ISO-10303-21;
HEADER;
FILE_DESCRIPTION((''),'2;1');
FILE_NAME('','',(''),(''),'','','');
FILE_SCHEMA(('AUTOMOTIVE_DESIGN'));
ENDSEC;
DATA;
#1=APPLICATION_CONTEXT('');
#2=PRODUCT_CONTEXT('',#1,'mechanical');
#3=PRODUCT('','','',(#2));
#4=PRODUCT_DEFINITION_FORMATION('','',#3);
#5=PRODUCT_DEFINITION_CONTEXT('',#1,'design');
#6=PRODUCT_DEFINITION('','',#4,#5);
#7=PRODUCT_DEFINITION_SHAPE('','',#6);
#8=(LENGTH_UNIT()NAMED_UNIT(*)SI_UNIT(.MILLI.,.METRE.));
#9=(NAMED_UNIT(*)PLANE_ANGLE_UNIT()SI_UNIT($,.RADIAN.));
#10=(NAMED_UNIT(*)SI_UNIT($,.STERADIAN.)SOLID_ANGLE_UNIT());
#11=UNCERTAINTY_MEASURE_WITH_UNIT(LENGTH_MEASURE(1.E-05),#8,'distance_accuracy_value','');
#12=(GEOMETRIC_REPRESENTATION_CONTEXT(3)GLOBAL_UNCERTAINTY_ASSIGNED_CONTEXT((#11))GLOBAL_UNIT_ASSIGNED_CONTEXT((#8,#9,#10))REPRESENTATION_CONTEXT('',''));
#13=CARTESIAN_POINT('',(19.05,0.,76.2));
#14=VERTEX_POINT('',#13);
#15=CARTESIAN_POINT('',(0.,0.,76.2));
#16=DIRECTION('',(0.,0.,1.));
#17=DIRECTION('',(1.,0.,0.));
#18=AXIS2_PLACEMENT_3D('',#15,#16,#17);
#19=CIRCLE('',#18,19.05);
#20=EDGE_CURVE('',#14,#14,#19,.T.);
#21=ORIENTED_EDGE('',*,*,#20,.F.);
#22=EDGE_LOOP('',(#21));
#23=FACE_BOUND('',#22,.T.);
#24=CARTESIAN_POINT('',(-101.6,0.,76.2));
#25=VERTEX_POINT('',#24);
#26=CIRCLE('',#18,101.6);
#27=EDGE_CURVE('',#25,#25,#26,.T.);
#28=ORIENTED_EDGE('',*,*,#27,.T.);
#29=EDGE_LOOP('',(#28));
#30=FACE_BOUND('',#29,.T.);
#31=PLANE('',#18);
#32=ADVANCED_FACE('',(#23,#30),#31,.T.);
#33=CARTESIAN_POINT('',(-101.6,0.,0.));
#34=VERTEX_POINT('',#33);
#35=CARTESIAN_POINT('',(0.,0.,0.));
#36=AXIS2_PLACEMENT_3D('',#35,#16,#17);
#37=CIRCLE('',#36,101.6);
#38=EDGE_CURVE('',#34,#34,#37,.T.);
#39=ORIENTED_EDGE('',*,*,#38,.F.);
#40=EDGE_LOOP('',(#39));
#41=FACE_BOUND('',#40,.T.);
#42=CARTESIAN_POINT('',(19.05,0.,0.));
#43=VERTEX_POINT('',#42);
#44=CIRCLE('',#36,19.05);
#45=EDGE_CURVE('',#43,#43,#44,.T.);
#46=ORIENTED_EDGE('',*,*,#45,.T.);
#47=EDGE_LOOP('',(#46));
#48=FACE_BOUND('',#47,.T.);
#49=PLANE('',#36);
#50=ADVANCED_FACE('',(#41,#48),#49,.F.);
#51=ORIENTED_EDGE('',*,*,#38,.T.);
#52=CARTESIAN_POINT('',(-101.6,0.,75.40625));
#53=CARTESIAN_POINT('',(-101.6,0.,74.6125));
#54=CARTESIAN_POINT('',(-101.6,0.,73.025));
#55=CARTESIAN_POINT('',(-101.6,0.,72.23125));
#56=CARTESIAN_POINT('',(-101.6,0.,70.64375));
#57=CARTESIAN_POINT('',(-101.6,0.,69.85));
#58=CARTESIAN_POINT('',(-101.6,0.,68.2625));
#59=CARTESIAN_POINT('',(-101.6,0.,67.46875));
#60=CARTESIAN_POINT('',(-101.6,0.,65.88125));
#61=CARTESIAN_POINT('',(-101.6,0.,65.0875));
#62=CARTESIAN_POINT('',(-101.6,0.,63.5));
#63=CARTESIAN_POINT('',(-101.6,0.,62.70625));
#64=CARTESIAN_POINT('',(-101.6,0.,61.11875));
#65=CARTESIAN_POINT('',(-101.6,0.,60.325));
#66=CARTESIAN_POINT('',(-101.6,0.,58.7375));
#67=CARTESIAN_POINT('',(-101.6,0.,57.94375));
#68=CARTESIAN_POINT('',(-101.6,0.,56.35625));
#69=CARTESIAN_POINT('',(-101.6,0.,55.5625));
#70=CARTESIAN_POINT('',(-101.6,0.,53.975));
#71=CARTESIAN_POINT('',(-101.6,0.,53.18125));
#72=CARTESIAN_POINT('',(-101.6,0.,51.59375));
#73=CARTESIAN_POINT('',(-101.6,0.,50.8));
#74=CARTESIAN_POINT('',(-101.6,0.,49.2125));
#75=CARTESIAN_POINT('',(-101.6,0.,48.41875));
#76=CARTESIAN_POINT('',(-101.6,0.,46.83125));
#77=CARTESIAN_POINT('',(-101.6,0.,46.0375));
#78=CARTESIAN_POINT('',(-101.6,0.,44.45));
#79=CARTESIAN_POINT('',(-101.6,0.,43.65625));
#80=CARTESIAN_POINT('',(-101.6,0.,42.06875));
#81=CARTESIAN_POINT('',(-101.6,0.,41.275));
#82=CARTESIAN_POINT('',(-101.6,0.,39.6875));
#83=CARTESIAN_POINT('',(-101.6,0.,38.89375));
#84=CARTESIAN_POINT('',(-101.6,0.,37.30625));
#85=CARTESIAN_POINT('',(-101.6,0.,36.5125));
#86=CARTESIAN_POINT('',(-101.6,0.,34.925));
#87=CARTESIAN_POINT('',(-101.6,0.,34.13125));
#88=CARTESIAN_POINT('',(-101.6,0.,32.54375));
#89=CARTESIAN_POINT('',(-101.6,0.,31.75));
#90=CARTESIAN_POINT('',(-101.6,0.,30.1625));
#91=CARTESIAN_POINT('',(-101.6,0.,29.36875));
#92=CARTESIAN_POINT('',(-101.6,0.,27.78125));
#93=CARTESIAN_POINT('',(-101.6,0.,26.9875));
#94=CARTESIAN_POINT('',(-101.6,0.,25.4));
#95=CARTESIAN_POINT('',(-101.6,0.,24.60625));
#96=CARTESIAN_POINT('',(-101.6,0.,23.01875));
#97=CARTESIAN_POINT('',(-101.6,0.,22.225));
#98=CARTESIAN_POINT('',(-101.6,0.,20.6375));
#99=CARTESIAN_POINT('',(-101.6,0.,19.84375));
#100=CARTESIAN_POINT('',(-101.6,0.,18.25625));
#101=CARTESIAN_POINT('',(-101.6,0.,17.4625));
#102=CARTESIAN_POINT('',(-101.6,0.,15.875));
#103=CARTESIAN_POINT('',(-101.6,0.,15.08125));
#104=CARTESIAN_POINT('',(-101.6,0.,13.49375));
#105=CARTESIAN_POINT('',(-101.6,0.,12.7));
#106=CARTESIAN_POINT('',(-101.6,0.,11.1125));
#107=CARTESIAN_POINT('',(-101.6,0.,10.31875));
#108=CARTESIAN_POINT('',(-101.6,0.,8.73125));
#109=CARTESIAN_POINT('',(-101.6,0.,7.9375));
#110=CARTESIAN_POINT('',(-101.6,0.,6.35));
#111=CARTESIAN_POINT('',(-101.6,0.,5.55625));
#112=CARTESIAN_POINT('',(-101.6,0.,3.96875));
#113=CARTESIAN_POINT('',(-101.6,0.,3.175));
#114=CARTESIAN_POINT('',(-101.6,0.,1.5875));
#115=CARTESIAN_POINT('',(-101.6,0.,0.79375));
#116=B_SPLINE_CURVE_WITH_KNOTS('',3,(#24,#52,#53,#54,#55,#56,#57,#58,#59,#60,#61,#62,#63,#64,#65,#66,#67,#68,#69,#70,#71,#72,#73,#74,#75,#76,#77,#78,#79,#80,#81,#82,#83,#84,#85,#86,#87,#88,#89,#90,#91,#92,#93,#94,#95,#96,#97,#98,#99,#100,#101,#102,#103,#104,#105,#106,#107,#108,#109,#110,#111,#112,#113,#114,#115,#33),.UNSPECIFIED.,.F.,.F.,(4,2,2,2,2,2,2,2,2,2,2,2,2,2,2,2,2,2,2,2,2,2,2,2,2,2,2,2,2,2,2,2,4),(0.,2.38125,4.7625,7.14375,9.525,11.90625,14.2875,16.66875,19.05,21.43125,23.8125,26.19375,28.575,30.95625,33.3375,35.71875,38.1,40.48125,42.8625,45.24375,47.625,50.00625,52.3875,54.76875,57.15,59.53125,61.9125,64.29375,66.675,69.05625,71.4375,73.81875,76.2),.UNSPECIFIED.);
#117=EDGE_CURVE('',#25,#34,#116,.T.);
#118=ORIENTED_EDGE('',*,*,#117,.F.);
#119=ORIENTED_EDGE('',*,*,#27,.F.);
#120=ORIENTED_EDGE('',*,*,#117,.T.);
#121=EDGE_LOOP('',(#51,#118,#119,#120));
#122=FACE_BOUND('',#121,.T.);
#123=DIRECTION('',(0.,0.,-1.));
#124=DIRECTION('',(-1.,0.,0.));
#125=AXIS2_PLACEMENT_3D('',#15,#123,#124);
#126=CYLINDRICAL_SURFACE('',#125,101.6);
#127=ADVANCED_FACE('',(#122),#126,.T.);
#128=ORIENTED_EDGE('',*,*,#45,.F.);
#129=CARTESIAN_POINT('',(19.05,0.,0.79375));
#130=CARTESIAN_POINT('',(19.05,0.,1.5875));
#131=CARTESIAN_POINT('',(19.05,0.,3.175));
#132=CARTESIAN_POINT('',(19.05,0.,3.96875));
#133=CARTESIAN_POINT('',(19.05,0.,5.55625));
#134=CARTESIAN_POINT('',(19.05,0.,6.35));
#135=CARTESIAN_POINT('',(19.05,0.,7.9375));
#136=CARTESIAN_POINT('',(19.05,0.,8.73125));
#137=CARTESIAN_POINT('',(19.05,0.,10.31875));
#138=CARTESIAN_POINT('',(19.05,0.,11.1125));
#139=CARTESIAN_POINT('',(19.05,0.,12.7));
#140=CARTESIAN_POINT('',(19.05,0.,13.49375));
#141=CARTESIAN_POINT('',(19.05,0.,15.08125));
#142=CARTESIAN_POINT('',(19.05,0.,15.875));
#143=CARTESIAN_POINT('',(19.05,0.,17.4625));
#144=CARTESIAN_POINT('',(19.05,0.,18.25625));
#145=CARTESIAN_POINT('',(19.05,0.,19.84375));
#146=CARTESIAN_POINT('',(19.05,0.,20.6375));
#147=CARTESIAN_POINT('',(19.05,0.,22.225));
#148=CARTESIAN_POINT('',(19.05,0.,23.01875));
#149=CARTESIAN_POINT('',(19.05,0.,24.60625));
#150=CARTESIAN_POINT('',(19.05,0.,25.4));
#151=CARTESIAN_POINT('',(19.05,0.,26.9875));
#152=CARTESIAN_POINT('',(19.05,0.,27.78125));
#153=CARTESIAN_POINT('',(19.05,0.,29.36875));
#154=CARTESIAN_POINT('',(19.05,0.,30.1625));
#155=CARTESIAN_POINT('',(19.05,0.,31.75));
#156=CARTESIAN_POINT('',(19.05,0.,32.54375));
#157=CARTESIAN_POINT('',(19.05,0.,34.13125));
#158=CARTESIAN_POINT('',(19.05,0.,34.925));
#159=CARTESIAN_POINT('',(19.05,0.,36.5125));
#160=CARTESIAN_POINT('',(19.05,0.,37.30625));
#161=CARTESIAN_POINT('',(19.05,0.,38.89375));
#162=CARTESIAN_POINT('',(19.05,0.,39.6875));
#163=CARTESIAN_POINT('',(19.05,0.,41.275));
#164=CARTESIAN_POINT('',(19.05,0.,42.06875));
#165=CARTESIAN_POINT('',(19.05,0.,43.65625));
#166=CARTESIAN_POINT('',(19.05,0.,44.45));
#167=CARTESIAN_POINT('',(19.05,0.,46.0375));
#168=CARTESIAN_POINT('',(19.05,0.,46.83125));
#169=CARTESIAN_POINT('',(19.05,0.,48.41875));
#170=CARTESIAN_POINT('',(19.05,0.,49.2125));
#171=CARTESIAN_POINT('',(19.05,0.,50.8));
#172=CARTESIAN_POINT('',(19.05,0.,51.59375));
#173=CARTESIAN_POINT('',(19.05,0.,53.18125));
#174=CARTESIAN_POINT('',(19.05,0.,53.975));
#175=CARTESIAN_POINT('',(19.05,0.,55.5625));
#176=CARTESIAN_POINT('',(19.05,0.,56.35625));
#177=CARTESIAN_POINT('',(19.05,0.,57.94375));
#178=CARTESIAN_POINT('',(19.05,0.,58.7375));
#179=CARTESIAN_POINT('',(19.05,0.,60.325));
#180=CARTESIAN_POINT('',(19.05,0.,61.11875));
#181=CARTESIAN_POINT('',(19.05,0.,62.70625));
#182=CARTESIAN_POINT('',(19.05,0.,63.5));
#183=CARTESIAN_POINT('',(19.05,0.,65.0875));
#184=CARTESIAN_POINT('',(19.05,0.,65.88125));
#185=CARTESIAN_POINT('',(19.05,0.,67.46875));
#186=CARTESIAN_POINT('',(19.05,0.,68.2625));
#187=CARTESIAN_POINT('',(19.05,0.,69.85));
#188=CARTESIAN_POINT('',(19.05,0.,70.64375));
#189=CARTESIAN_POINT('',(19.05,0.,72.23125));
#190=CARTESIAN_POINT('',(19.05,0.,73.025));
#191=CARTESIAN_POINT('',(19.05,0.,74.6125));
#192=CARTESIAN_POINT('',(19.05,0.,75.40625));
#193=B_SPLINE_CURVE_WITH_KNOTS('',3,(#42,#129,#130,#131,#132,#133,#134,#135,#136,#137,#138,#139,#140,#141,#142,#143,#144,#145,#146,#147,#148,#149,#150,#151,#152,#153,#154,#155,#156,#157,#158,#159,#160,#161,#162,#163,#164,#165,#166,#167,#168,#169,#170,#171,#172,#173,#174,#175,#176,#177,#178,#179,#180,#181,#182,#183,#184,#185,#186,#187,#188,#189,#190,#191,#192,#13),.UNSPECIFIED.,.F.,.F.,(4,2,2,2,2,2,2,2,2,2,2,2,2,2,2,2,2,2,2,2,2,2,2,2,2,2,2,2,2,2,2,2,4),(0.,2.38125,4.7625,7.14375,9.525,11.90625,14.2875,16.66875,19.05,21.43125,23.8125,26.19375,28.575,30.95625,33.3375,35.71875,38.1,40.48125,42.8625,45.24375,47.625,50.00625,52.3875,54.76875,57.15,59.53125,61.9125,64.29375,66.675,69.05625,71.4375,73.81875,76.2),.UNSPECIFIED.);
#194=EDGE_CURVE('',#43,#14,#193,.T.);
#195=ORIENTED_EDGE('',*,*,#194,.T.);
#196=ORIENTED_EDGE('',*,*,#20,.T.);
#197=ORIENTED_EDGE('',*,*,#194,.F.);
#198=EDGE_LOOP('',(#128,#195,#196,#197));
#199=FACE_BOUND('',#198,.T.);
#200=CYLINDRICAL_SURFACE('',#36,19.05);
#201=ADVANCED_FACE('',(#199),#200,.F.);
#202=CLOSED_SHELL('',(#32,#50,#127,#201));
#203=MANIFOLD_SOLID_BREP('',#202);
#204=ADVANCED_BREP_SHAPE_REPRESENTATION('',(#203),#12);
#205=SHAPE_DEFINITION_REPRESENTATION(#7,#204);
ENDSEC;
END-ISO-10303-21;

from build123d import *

# Parameters (mm, degrees)
SKETCH3_R           = 101.6
BOSS_EXTRUDE2_DEPTH = 76.2
SKETCH4_R           = 19.05
CUT_EXTRUDE2_DEPTH  = 76.2


with BuildPart() as part:
    # Sketch3 → Boss-Extrude2 (new body)
    with BuildSketch(Plane.XY):
        with Locations(Location((0, 0, 0), (0, 0, 180))):
            Circle(SKETCH3_R)
    extrude(amount=BOSS_EXTRUDE2_DEPTH)

    # Sketch4 → Cut-Extrude2 (cut)
    with BuildSketch(Plane.XY.offset(76.2)):
        Circle(SKETCH4_R)
    extrude(amount=-CUT_EXTRUDE2_DEPTH, mode=Mode.SUBTRACT)


solid = part.part
